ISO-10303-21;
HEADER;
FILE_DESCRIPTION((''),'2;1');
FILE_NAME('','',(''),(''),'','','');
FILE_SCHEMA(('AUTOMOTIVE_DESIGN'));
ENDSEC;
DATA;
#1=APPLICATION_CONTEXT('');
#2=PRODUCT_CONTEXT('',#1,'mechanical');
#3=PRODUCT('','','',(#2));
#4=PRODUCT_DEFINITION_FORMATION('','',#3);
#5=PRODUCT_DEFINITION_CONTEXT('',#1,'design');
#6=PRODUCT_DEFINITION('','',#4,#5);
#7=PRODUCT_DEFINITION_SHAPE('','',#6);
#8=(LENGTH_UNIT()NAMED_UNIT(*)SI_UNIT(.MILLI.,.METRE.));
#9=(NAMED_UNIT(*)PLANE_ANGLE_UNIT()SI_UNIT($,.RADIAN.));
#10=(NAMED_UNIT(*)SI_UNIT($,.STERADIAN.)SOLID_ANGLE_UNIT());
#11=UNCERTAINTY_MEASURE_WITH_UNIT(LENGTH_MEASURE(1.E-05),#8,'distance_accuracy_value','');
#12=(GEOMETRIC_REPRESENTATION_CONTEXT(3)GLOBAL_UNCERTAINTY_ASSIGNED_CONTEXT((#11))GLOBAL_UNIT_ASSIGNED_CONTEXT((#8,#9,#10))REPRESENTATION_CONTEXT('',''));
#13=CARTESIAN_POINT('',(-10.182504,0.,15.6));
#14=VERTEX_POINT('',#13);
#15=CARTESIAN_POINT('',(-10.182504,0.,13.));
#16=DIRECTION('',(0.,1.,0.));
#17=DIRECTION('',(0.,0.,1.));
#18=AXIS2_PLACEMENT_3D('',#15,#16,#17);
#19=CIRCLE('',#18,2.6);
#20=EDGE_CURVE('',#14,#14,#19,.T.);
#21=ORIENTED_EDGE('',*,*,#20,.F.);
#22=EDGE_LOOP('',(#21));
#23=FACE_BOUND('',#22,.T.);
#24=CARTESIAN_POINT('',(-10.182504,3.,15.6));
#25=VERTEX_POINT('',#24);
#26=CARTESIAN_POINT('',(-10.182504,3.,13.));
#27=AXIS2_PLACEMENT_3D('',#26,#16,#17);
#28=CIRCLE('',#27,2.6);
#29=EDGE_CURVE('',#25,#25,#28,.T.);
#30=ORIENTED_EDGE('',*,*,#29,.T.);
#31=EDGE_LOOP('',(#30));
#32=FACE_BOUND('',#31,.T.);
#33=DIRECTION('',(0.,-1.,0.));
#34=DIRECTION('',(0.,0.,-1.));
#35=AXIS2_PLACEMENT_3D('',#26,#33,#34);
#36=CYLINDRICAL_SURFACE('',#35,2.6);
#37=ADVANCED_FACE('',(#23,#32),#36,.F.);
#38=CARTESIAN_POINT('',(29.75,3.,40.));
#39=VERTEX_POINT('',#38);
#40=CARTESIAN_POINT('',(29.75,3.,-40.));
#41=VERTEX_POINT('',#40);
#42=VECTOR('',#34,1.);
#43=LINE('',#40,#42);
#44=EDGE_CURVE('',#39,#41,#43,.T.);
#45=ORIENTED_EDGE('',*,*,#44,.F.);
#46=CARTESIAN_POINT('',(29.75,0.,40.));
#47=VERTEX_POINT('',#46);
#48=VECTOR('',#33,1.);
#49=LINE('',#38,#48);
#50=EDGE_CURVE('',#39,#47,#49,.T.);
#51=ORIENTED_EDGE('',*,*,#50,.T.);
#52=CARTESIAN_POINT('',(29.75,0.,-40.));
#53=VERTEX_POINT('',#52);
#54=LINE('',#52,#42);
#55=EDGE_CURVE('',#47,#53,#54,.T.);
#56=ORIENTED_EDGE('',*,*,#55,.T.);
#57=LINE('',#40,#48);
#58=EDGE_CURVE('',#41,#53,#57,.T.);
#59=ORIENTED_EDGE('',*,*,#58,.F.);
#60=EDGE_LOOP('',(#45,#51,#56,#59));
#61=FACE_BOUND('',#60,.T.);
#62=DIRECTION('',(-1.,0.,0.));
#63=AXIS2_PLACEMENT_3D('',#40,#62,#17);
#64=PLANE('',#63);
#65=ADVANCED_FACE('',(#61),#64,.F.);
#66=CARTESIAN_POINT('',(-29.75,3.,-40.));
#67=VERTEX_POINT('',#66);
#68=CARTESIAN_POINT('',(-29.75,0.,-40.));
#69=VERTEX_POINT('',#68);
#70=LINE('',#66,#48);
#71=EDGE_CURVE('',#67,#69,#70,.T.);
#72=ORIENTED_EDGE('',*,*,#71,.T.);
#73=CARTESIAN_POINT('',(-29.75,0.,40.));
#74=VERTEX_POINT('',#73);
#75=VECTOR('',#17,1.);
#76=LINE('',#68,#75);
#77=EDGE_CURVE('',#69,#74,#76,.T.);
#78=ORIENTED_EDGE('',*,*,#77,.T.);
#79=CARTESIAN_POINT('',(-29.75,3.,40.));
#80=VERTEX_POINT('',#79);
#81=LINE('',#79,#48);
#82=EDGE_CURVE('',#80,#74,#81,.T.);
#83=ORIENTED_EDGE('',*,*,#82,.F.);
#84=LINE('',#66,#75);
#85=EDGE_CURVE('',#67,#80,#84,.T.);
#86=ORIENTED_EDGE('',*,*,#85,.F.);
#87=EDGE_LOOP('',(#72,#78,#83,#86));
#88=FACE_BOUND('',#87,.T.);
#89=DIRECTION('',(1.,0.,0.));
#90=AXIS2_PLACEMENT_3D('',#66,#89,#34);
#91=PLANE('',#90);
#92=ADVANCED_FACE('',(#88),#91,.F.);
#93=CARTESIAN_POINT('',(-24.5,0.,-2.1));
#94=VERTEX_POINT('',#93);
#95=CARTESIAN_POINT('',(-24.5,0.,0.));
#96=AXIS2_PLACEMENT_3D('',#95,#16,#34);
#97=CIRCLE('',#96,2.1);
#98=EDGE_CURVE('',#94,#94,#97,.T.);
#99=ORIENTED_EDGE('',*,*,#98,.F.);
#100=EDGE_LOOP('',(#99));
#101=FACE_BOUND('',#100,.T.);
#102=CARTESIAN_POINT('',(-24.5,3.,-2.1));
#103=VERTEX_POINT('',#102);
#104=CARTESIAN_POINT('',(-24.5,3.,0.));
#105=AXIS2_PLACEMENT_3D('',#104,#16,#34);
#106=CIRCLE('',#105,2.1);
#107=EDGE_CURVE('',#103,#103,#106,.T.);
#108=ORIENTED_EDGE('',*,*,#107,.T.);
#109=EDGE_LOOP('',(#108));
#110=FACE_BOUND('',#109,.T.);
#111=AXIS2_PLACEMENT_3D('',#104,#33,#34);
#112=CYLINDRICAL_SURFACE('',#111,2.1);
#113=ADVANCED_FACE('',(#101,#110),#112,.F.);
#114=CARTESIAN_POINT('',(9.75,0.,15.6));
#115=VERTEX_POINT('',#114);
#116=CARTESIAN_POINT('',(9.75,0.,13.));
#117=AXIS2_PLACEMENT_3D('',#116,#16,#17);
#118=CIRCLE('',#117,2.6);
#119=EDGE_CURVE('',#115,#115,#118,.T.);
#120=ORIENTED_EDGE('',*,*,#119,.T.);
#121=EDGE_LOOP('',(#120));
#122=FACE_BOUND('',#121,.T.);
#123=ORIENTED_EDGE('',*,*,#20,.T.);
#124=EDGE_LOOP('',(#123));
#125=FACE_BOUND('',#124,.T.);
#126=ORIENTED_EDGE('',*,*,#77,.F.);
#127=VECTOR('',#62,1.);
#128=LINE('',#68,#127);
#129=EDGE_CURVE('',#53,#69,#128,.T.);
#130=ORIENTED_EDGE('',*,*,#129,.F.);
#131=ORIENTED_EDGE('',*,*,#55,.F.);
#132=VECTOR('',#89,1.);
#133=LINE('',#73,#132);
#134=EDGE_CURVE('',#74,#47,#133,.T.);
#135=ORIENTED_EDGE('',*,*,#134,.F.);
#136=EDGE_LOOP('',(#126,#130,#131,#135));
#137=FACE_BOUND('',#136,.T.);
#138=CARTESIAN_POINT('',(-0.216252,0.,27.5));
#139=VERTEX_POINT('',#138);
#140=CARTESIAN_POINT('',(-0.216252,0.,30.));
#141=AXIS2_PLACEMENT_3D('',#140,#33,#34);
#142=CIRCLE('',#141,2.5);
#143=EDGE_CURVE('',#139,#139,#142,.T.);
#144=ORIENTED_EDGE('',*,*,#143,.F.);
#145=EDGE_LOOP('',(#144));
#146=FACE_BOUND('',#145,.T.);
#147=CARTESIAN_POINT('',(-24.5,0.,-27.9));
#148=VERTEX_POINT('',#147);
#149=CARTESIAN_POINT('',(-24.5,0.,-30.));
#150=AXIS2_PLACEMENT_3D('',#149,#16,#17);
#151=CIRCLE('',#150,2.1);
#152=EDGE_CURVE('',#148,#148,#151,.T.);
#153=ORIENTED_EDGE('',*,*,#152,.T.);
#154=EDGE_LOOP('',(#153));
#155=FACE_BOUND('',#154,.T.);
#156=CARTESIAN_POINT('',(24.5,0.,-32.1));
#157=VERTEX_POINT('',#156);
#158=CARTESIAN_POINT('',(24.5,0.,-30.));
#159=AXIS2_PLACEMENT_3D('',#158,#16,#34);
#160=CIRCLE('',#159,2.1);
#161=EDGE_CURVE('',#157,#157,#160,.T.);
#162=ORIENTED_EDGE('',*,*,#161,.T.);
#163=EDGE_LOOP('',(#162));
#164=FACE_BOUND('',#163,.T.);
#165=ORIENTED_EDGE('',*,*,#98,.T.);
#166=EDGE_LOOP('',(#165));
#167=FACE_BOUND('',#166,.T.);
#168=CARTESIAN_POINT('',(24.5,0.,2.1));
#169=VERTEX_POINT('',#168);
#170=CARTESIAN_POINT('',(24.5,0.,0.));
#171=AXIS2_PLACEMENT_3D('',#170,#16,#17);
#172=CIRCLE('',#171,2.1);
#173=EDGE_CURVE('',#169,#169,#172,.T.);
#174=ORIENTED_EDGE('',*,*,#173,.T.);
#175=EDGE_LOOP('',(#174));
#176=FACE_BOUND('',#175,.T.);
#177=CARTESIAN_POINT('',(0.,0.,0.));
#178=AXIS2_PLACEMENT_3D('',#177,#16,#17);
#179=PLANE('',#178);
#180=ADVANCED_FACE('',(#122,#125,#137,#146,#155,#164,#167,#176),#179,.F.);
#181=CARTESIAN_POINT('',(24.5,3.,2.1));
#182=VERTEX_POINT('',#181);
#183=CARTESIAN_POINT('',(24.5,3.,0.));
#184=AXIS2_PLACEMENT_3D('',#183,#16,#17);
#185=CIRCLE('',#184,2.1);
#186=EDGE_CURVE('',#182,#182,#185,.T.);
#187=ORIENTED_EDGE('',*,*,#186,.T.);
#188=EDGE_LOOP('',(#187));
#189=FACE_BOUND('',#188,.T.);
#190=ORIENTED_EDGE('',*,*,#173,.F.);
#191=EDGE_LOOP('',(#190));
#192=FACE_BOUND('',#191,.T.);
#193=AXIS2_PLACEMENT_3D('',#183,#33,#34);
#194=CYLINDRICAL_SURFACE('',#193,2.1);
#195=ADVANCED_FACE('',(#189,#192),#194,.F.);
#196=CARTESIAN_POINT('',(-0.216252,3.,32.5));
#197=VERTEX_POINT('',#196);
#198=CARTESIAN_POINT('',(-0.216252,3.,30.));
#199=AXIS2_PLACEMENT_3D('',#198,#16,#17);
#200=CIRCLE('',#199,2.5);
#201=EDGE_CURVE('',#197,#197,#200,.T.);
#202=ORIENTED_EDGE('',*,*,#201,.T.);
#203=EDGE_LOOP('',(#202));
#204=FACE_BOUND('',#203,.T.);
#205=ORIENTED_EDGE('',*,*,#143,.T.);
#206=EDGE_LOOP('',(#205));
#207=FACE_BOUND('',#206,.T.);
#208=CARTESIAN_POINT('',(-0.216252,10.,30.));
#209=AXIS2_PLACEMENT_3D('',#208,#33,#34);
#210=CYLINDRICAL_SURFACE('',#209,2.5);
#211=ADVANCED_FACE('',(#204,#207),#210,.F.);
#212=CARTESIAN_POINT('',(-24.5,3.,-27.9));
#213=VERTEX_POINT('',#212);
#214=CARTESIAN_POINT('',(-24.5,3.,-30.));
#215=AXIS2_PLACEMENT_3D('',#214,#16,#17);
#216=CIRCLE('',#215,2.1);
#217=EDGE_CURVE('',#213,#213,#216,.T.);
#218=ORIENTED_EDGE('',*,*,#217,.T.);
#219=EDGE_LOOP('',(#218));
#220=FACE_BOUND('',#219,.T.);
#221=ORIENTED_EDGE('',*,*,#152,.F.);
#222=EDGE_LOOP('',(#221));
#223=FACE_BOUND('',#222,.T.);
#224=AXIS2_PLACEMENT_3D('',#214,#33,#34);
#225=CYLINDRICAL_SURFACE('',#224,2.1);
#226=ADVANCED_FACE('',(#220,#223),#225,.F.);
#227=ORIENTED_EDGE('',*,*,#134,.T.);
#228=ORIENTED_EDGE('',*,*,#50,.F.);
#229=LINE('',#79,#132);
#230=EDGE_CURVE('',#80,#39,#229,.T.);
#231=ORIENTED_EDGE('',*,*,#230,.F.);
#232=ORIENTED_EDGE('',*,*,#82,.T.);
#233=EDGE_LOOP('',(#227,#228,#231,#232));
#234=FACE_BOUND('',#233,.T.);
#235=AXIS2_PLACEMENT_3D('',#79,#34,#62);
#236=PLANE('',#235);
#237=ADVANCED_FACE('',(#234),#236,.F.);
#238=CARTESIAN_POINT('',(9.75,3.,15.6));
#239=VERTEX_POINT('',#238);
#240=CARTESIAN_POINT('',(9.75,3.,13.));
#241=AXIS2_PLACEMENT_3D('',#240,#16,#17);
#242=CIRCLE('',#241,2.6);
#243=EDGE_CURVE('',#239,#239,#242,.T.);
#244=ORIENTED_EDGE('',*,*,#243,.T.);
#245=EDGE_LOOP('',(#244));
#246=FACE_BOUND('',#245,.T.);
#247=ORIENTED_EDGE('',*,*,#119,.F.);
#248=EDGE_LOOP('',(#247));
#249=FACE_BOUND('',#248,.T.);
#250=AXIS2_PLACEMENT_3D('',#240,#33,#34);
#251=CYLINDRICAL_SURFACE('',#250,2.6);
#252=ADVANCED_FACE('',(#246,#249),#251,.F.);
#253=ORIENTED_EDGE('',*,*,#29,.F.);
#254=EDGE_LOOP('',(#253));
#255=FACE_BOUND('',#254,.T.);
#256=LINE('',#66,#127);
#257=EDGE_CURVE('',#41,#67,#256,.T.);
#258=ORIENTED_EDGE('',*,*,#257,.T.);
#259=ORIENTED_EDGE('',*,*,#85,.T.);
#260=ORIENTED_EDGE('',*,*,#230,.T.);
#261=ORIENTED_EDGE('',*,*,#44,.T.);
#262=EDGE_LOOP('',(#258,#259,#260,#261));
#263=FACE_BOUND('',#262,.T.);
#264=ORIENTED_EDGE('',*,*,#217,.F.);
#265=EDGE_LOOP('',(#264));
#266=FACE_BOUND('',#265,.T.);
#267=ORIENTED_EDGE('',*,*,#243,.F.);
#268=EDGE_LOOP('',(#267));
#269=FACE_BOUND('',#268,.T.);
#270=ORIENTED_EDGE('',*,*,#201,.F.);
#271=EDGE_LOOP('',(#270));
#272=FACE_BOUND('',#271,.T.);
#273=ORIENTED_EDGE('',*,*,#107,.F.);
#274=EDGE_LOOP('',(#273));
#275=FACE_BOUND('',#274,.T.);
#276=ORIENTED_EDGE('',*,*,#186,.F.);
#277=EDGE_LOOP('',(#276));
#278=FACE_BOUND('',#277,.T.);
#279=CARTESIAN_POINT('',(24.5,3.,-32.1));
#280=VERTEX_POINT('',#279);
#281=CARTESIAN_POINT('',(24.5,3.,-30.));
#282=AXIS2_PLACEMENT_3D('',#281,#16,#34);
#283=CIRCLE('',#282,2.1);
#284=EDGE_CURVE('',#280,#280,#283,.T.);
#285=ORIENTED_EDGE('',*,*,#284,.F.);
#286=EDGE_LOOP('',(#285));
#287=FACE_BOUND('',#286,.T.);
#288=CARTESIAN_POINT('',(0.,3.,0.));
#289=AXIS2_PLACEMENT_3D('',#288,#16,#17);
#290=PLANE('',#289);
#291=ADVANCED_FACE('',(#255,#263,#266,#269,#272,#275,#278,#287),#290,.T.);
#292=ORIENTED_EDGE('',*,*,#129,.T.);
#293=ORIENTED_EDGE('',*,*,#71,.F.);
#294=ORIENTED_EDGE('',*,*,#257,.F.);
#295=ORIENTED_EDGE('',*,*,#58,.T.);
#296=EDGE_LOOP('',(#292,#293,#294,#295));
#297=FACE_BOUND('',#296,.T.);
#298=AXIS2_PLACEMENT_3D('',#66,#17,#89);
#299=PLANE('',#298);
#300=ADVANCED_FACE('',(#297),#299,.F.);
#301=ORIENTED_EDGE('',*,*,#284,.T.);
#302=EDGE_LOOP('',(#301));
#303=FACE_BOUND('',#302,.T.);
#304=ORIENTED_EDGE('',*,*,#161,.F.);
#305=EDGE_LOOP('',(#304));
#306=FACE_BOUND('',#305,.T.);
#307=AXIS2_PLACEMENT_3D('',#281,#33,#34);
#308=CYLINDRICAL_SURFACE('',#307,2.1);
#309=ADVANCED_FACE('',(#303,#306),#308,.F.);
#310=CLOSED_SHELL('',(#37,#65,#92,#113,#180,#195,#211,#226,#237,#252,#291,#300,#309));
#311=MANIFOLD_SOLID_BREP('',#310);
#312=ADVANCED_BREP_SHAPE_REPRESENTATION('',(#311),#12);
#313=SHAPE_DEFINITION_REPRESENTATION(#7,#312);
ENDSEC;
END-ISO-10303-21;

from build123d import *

# Parameters (mm, degrees)
SKETCH1_W           = 59.5
SKETCH1_H           = 80
SKETCH1_R           = 2.1
SKETCH1_R_2         = 2.6
BOSS_EXTRUDE1_DEPTH = 3
SKETCH2_R           = 2.5
CUT_EXTRUDE1_DEPTH  = 10


with BuildPart() as part:
    # Sketch1 → Boss-Extrude1 (new body)
    with BuildSketch(Plane(origin=(0, 0, 0), x_dir=(1, 0, 0), z_dir=(0, 1, 0))):
        Rectangle(SKETCH1_W, SKETCH1_H)
        with Locations(Location((24.5, 30, 0), (0, 0, 90))):
            Circle(SKETCH1_R, mode=Mode.SUBTRACT)
        with Locations(Location((-24.5, 30, 0), (0, 0, 270))):
            Circle(SKETCH1_R, mode=Mode.SUBTRACT)
        with Locations(Location((-24.5, 0, 0), (0, 0, 90))):
            Circle(SKETCH1_R, mode=Mode.SUBTRACT)
        with Locations(Location((24.5, 0, 0), (0, 0, 270))):
            Circle(SKETCH1_R, mode=Mode.SUBTRACT)
        with Locations(Location((9.75, -13, 0), (0, 0, 270))):
            Circle(SKETCH1_R_2, mode=Mode.SUBTRACT)
        with Locations(Location((-10.182503526, -13, 0), (0, 0, 270))):
            Circle(SKETCH1_R_2, mode=Mode.SUBTRACT)
    extrude(amount=BOSS_EXTRUDE1_DEPTH)

    # Sketch2 → Cut-Extrude1 (cut)
    with BuildSketch(Plane.XZ):
        with Locations(Location((-0.216251763, 30, 0), (0, 0, 270))):
            Circle(SKETCH2_R)
    extrude(amount=-CUT_EXTRUDE1_DEPTH, mode=Mode.SUBTRACT)


solid = part.part
